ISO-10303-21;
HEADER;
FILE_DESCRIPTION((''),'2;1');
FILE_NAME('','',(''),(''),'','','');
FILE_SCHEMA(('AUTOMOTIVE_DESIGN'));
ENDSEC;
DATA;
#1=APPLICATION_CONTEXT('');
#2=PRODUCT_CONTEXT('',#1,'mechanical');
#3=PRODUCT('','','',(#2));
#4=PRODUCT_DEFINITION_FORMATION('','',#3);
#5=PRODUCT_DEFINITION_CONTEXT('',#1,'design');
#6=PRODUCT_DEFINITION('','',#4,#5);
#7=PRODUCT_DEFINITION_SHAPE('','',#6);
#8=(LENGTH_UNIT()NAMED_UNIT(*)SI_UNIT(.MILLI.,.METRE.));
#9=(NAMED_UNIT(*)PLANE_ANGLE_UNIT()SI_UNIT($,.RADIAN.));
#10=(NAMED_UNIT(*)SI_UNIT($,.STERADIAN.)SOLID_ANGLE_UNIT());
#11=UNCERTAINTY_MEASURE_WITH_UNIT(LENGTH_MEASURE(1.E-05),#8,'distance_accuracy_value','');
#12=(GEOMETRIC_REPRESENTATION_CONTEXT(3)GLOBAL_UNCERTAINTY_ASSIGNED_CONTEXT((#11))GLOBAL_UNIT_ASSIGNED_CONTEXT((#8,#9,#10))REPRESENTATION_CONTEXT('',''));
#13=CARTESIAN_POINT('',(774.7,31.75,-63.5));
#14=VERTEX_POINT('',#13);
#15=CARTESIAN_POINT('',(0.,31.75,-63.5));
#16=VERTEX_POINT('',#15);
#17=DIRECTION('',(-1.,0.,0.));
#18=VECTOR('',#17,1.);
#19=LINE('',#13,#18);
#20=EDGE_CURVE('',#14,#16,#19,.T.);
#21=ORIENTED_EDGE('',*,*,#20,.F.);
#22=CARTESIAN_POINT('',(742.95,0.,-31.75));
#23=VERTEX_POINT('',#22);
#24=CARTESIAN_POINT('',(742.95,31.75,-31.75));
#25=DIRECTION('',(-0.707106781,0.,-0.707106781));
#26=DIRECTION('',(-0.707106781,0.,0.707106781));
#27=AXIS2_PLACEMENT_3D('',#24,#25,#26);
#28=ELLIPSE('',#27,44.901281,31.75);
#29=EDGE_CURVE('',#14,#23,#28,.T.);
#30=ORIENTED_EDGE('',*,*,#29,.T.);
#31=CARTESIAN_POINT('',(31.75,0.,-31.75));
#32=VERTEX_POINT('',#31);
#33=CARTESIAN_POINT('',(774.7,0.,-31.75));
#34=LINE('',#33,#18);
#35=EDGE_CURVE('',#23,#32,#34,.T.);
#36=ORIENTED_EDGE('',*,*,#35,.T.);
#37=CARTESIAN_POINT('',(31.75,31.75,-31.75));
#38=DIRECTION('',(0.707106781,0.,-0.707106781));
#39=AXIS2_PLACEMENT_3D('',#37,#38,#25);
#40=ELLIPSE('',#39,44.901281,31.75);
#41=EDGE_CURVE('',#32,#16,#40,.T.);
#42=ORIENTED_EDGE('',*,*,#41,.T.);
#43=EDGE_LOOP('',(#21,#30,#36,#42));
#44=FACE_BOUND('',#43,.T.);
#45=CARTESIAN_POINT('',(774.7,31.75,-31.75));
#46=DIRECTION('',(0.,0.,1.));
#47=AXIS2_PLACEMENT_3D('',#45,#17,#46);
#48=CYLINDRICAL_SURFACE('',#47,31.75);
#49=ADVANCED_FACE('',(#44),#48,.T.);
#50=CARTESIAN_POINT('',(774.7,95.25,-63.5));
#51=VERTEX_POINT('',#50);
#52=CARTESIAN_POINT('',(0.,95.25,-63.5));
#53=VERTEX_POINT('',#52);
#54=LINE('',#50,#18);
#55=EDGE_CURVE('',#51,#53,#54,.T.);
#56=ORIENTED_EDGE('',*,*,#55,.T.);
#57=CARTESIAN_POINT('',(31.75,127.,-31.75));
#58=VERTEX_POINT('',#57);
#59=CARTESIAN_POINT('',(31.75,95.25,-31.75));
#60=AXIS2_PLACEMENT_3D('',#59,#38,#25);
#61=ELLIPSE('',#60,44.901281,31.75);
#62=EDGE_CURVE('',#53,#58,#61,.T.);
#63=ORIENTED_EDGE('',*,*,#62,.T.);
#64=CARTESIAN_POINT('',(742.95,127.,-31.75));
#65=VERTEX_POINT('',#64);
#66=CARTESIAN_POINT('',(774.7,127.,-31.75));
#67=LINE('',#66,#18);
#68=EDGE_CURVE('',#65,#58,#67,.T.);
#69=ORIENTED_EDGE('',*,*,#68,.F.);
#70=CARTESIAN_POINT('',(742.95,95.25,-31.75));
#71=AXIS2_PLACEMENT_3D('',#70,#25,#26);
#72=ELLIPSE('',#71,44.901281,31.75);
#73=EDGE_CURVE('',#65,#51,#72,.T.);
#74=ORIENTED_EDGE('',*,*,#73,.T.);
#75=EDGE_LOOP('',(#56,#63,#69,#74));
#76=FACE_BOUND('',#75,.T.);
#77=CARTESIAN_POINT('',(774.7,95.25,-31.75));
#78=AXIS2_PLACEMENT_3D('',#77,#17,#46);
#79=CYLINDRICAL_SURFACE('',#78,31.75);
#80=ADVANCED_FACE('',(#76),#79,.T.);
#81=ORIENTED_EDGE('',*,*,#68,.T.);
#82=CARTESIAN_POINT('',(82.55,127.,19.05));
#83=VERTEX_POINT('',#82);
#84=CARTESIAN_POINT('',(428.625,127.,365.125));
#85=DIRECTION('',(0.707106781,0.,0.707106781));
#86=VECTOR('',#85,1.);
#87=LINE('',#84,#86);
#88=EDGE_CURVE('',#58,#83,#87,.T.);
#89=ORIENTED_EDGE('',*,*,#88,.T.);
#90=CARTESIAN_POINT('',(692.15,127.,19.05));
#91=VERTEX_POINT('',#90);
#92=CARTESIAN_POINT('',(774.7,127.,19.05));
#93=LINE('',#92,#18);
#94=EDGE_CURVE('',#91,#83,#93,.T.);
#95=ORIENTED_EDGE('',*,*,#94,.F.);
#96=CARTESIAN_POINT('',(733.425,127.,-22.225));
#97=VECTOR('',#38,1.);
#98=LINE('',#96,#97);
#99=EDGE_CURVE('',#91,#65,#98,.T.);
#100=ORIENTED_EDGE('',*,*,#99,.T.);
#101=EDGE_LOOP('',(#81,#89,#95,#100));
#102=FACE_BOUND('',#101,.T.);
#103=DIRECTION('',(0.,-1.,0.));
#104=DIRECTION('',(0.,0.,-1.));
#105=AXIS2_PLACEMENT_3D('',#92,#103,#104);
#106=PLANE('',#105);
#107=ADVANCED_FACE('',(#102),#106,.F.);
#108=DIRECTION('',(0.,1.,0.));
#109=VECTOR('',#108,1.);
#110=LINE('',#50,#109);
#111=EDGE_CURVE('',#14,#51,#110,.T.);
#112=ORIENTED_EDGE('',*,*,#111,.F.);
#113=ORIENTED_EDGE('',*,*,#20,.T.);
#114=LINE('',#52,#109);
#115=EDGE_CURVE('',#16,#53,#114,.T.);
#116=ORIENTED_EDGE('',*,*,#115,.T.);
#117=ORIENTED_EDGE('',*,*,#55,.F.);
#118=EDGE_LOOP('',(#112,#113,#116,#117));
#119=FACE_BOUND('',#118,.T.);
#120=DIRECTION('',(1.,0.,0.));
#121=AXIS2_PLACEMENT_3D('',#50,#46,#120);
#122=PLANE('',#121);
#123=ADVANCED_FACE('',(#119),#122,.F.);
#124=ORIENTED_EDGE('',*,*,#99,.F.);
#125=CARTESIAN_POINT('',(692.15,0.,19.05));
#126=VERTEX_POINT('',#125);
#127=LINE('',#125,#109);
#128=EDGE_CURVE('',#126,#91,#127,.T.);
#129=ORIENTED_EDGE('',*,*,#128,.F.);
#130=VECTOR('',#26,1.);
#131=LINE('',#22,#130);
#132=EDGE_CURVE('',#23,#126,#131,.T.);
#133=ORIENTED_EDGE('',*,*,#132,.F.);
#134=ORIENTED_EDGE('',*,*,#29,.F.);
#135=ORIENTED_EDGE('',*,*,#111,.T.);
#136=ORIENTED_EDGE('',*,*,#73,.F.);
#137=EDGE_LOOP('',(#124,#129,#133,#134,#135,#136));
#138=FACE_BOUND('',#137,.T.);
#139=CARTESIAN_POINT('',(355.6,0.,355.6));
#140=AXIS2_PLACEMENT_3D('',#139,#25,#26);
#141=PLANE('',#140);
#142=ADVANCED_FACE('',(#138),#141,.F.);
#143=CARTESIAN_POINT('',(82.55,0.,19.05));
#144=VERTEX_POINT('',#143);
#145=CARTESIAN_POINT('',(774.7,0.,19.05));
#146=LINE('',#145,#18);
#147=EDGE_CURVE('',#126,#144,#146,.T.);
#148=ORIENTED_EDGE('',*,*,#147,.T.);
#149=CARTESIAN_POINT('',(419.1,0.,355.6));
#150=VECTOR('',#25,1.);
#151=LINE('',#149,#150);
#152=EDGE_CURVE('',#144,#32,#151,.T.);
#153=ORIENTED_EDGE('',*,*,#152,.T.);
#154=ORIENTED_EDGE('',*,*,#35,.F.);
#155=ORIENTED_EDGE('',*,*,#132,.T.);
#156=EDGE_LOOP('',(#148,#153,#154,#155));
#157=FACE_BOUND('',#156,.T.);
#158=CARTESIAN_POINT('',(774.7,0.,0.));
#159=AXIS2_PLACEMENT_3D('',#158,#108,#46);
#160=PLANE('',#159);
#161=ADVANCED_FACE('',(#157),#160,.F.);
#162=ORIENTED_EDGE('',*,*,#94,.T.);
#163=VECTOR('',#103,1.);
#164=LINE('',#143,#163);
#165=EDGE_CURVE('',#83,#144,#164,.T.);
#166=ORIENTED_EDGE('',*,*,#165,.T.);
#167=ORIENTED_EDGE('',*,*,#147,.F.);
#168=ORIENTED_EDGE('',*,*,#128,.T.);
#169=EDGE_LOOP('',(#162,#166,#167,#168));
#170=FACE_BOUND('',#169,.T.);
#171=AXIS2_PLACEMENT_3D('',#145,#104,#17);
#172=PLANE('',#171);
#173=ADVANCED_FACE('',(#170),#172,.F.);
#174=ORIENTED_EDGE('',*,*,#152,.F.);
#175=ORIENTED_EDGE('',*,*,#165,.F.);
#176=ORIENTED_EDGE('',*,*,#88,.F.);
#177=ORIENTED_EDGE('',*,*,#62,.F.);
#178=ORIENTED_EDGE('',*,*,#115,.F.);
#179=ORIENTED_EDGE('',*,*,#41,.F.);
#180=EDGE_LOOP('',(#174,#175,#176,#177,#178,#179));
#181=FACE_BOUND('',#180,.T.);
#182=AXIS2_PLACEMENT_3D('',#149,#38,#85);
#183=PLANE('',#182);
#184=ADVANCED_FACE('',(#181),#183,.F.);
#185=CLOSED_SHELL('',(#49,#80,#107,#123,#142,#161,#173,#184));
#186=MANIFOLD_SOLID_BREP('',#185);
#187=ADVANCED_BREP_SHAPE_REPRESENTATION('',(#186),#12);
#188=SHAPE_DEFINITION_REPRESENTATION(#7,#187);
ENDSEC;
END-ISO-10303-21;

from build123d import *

# Parameters (mm, degrees)
BOSS_EXTRUDE1_DEPTH = 774.7
SKETCH2_W           = 344.402501539
SKETCH2_H           = 780.457540957
CUT_EXTRUDE1_DEPTH  = 59.371664787


with BuildPart() as part:
    # Sketch1 → Boss-Extrude1 (new body)
    with BuildSketch(Plane(origin=(0, 0, 0), x_dir=(0, 0, -1), z_dir=(1, 0, 0))):
        with BuildLine():
            Line((0, 0), (31.75, 0))
            ThreePointArc((31.75, 0), (54.200640303, 9.299359697), (63.5, 31.75))
            Line((63.5, 31.75), (63.5, 95.25))
            ThreePointArc((63.5, 95.25), (54.200640303, 117.700640303), (31.75, 127))
            Line((31.75, 127), (0, 127))
            Line((0, 127), (-19.05, 127))
            Line((-19.05, 127), (-19.05, 0))
            Line((-19.05, 0), (0, 0))
        make_face()
    extrude(amount=BOSS_EXTRUDE1_DEPTH)

    # Sketch2 → Cut-Extrude1 (cut, through all)
    with BuildSketch(Plane(origin=(355.6, 0, 355.6), x_dir=(0, 1, 0), z_dir=(0.707106781, 0, 0.707106781))):
        with Locations((32.995160032, -592.696903991)):
            Rectangle(SKETCH2_W, SKETCH2_H)
    cut_extrude1 = extrude(amount=CUT_EXTRUDE1_DEPTH, mode=Mode.SUBTRACT)

    # Mirror1: Cut-Extrude1 across plane
    add(cut_extrude1.mirror(Plane(origin=(387.35, 0, 0), x_dir=(0, 0, 1), z_dir=(1, 0, 0))), mode=Mode.SUBTRACT)


solid = part.part
